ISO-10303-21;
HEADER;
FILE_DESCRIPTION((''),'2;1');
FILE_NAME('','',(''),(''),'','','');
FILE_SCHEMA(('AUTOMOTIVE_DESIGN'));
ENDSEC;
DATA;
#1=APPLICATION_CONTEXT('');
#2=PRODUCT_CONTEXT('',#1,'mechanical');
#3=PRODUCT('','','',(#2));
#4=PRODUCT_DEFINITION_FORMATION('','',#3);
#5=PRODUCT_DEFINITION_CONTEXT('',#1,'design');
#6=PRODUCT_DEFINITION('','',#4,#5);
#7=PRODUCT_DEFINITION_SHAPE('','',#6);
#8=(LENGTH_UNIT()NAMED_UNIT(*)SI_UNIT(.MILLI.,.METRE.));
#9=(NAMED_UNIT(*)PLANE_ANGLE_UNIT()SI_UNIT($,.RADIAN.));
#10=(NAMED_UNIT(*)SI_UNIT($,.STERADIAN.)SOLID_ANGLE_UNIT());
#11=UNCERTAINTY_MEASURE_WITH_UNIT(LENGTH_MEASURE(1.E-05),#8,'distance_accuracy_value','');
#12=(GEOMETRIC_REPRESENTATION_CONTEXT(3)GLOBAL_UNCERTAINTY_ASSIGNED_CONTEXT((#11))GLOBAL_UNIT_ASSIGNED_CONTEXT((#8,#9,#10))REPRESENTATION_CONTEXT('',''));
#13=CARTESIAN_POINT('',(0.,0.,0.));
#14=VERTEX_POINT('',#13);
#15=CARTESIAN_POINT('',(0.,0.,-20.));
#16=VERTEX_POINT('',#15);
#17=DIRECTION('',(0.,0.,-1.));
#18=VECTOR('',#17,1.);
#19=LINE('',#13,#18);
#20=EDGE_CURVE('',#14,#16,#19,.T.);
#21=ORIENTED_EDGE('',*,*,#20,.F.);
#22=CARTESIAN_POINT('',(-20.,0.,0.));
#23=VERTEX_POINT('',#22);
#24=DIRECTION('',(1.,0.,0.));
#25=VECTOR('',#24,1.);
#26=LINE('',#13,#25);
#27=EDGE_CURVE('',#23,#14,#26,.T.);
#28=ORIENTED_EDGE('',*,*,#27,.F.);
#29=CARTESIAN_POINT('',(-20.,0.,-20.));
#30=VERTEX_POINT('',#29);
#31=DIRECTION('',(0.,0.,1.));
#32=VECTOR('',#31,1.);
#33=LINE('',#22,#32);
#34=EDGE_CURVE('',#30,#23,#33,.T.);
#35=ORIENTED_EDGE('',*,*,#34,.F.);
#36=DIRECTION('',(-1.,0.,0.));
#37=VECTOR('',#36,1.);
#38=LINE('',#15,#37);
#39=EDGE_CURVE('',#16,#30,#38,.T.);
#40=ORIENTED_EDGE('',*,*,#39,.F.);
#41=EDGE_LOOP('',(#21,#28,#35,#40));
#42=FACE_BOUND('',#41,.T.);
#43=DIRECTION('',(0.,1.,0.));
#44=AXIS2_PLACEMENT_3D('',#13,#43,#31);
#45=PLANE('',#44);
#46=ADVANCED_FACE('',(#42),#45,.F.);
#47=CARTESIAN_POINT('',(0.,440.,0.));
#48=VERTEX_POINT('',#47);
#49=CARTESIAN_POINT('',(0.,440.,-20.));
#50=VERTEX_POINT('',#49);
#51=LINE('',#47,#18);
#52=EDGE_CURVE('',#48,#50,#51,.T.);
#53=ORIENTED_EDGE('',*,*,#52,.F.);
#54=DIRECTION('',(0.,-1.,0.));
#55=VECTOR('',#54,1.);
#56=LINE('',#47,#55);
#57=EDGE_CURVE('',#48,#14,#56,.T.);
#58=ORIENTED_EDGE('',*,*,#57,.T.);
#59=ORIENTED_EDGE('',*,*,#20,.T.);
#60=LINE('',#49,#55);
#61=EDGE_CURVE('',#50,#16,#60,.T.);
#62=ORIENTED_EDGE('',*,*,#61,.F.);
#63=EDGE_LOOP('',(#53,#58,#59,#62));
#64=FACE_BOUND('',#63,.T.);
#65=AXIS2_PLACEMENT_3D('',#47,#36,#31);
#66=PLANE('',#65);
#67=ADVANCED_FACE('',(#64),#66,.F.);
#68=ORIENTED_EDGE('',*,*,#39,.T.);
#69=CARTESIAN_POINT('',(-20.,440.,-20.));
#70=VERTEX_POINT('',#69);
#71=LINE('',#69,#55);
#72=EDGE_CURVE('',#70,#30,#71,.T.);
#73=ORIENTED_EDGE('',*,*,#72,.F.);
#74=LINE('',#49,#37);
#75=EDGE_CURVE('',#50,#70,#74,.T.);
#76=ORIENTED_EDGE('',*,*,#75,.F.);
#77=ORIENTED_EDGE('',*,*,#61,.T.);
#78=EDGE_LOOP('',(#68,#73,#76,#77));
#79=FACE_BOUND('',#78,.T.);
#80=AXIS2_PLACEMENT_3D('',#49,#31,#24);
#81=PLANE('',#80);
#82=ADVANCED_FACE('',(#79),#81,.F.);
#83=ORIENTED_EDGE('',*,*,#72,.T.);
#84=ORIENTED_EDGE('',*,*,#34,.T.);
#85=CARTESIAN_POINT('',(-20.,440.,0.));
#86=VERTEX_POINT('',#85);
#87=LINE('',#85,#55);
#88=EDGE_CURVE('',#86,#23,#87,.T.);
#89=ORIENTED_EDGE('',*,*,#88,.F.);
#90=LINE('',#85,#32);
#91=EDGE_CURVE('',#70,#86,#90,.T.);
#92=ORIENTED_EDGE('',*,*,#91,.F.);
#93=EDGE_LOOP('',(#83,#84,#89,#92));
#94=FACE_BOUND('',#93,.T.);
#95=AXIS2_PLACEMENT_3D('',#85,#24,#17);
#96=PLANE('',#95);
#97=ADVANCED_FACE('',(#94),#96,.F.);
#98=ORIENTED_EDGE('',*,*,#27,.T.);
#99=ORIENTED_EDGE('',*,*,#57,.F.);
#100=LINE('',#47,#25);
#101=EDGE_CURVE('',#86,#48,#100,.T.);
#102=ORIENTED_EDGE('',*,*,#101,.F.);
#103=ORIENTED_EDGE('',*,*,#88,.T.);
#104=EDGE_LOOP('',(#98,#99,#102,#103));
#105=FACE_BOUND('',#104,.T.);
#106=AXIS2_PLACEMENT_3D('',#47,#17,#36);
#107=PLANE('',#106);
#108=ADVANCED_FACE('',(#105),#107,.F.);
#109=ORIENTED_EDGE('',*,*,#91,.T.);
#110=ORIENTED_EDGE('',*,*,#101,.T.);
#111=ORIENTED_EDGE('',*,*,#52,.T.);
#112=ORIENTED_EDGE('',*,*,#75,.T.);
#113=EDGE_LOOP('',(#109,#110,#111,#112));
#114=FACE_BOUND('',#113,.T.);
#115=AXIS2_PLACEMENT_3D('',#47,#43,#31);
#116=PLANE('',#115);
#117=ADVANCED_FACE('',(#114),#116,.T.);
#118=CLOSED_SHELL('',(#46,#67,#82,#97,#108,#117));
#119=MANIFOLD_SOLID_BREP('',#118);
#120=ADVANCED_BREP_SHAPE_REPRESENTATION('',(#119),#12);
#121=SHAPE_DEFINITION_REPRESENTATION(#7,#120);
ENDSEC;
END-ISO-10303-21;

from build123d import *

# Parameters (mm, degrees)
ESQUISSE6_W        = 20
ESQUISSE6_H        = 20
BOSS_EXTRU_1_DEPTH = 440


with BuildPart() as part:
    # Esquisse6 → Boss.-Extru.1 (new body)
    with BuildSketch(Plane(origin=(0, 0, 0), x_dir=(1, 0, 0), z_dir=(0, 1, 0))):
        with Locations((-10, 10)):
            Rectangle(ESQUISSE6_W, ESQUISSE6_H)
    extrude(amount=BOSS_EXTRU_1_DEPTH)


solid = part.part
